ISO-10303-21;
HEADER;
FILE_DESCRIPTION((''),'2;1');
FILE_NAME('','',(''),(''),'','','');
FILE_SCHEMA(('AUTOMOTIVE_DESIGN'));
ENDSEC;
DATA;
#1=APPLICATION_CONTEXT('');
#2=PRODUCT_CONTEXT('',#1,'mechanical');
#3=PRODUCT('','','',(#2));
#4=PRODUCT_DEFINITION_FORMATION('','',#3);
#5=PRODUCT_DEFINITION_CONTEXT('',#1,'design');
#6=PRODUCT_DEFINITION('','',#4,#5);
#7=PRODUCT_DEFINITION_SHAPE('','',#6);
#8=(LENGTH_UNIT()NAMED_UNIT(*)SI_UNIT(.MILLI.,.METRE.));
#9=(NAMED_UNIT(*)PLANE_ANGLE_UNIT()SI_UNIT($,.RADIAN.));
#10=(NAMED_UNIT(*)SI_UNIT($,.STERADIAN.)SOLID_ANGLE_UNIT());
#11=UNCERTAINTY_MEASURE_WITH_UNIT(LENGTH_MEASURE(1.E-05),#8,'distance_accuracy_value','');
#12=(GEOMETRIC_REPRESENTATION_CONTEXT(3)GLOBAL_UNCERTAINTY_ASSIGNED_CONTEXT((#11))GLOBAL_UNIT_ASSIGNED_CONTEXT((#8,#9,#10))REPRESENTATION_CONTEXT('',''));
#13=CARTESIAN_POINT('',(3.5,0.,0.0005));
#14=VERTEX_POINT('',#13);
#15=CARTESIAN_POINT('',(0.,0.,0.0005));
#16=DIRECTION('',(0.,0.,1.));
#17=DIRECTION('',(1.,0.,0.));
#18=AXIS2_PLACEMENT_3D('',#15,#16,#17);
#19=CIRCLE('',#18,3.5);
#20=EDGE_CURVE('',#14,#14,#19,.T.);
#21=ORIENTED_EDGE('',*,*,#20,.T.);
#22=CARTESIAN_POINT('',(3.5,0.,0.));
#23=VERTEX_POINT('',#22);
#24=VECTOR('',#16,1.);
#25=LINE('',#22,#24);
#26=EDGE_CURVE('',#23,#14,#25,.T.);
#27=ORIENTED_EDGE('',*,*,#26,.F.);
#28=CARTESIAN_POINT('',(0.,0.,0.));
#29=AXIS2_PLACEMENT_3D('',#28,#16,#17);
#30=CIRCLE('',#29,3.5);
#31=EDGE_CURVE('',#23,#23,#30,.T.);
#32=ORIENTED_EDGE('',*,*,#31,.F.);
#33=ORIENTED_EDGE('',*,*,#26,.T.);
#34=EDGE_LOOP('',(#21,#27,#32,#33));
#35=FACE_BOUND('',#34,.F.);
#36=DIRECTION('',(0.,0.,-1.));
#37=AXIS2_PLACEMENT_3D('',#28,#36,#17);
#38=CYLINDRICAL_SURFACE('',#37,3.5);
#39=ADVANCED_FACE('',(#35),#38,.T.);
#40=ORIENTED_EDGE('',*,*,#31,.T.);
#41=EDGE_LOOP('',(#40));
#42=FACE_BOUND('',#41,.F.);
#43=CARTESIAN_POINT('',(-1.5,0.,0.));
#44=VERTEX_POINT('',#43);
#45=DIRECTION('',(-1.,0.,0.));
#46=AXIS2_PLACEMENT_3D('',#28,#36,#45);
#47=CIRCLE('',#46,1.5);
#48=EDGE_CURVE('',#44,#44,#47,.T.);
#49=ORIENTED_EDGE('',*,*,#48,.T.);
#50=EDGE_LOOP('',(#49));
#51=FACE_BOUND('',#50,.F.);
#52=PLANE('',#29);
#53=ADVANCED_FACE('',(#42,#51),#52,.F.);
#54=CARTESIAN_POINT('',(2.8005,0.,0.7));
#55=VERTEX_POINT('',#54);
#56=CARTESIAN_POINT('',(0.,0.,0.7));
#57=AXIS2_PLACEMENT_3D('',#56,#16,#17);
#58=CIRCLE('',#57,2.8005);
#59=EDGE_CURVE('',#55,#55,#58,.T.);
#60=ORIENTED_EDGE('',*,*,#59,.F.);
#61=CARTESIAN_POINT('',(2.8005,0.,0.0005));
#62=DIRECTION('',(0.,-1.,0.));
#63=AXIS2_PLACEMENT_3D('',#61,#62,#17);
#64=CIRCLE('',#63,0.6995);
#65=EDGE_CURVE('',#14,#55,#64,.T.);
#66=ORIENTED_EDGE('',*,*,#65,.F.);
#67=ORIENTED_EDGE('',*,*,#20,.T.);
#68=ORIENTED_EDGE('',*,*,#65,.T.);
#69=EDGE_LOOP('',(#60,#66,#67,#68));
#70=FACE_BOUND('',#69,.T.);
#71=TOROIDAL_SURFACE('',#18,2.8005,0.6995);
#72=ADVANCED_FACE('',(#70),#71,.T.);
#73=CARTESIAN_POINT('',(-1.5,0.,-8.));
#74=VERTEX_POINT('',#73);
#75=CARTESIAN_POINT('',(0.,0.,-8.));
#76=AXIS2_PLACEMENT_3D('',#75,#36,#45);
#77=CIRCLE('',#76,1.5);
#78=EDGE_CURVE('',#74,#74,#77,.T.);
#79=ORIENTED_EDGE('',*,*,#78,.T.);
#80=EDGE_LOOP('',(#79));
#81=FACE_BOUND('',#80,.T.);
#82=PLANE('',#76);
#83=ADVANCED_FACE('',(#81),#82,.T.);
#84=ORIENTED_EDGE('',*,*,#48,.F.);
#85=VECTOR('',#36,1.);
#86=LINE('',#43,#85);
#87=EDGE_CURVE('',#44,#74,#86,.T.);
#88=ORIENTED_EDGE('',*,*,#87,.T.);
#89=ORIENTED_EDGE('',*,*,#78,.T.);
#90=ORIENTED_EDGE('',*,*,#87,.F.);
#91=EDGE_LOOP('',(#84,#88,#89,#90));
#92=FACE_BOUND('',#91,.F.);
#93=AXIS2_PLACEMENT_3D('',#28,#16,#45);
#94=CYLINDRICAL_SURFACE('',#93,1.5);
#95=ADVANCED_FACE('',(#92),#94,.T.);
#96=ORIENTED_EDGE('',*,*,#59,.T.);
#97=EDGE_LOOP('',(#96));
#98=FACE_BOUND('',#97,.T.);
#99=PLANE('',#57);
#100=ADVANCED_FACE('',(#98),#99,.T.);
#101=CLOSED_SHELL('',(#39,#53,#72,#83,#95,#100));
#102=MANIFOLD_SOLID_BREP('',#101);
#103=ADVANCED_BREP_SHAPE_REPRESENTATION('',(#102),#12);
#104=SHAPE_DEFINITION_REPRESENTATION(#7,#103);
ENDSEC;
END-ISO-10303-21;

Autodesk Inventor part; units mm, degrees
ref_plane "YZ Plane" through (0, 0, 0) normal (1, 0, 0) x (0, 1, 0)
ref_plane "XZ Plane" through (0, 0, 0) normal (0, 1, 0) x (-1, 0, 0)
ref_plane "XY Plane" through (0, 0, 0) normal (0, 0, 1) x (1, 0, 0)
sketch "スケッチ1" plane through (0, 0, 0) normal (0, 0, 1) x (1, 0, 0)
  circle A0 centre (0, 0) radius 3.5
  dimension "d0" = 7
extrude "押し出し1" add sketch "スケッチ1" along normal blind 0.7
sketch "スケッチ2" plane through (0, 0, 0) normal (0, 0, -1) x (-1, 0, 0)
  circle A0 centre (0, 0) radius 1.5
  dimension "d3" = 3
extrude "押し出し2" add sketch "スケッチ2" along normal blind 8
thread "ねじ1" size "M3x0.5" class "6g" standard "ANSI Metric M Profile" full length
fillet "フィレット1" radius 0.7 1 edges at (-3.5, 0, 0.7)
properties part number "ネジ低頭m3.08" material "鋼、高強度、低合金"
